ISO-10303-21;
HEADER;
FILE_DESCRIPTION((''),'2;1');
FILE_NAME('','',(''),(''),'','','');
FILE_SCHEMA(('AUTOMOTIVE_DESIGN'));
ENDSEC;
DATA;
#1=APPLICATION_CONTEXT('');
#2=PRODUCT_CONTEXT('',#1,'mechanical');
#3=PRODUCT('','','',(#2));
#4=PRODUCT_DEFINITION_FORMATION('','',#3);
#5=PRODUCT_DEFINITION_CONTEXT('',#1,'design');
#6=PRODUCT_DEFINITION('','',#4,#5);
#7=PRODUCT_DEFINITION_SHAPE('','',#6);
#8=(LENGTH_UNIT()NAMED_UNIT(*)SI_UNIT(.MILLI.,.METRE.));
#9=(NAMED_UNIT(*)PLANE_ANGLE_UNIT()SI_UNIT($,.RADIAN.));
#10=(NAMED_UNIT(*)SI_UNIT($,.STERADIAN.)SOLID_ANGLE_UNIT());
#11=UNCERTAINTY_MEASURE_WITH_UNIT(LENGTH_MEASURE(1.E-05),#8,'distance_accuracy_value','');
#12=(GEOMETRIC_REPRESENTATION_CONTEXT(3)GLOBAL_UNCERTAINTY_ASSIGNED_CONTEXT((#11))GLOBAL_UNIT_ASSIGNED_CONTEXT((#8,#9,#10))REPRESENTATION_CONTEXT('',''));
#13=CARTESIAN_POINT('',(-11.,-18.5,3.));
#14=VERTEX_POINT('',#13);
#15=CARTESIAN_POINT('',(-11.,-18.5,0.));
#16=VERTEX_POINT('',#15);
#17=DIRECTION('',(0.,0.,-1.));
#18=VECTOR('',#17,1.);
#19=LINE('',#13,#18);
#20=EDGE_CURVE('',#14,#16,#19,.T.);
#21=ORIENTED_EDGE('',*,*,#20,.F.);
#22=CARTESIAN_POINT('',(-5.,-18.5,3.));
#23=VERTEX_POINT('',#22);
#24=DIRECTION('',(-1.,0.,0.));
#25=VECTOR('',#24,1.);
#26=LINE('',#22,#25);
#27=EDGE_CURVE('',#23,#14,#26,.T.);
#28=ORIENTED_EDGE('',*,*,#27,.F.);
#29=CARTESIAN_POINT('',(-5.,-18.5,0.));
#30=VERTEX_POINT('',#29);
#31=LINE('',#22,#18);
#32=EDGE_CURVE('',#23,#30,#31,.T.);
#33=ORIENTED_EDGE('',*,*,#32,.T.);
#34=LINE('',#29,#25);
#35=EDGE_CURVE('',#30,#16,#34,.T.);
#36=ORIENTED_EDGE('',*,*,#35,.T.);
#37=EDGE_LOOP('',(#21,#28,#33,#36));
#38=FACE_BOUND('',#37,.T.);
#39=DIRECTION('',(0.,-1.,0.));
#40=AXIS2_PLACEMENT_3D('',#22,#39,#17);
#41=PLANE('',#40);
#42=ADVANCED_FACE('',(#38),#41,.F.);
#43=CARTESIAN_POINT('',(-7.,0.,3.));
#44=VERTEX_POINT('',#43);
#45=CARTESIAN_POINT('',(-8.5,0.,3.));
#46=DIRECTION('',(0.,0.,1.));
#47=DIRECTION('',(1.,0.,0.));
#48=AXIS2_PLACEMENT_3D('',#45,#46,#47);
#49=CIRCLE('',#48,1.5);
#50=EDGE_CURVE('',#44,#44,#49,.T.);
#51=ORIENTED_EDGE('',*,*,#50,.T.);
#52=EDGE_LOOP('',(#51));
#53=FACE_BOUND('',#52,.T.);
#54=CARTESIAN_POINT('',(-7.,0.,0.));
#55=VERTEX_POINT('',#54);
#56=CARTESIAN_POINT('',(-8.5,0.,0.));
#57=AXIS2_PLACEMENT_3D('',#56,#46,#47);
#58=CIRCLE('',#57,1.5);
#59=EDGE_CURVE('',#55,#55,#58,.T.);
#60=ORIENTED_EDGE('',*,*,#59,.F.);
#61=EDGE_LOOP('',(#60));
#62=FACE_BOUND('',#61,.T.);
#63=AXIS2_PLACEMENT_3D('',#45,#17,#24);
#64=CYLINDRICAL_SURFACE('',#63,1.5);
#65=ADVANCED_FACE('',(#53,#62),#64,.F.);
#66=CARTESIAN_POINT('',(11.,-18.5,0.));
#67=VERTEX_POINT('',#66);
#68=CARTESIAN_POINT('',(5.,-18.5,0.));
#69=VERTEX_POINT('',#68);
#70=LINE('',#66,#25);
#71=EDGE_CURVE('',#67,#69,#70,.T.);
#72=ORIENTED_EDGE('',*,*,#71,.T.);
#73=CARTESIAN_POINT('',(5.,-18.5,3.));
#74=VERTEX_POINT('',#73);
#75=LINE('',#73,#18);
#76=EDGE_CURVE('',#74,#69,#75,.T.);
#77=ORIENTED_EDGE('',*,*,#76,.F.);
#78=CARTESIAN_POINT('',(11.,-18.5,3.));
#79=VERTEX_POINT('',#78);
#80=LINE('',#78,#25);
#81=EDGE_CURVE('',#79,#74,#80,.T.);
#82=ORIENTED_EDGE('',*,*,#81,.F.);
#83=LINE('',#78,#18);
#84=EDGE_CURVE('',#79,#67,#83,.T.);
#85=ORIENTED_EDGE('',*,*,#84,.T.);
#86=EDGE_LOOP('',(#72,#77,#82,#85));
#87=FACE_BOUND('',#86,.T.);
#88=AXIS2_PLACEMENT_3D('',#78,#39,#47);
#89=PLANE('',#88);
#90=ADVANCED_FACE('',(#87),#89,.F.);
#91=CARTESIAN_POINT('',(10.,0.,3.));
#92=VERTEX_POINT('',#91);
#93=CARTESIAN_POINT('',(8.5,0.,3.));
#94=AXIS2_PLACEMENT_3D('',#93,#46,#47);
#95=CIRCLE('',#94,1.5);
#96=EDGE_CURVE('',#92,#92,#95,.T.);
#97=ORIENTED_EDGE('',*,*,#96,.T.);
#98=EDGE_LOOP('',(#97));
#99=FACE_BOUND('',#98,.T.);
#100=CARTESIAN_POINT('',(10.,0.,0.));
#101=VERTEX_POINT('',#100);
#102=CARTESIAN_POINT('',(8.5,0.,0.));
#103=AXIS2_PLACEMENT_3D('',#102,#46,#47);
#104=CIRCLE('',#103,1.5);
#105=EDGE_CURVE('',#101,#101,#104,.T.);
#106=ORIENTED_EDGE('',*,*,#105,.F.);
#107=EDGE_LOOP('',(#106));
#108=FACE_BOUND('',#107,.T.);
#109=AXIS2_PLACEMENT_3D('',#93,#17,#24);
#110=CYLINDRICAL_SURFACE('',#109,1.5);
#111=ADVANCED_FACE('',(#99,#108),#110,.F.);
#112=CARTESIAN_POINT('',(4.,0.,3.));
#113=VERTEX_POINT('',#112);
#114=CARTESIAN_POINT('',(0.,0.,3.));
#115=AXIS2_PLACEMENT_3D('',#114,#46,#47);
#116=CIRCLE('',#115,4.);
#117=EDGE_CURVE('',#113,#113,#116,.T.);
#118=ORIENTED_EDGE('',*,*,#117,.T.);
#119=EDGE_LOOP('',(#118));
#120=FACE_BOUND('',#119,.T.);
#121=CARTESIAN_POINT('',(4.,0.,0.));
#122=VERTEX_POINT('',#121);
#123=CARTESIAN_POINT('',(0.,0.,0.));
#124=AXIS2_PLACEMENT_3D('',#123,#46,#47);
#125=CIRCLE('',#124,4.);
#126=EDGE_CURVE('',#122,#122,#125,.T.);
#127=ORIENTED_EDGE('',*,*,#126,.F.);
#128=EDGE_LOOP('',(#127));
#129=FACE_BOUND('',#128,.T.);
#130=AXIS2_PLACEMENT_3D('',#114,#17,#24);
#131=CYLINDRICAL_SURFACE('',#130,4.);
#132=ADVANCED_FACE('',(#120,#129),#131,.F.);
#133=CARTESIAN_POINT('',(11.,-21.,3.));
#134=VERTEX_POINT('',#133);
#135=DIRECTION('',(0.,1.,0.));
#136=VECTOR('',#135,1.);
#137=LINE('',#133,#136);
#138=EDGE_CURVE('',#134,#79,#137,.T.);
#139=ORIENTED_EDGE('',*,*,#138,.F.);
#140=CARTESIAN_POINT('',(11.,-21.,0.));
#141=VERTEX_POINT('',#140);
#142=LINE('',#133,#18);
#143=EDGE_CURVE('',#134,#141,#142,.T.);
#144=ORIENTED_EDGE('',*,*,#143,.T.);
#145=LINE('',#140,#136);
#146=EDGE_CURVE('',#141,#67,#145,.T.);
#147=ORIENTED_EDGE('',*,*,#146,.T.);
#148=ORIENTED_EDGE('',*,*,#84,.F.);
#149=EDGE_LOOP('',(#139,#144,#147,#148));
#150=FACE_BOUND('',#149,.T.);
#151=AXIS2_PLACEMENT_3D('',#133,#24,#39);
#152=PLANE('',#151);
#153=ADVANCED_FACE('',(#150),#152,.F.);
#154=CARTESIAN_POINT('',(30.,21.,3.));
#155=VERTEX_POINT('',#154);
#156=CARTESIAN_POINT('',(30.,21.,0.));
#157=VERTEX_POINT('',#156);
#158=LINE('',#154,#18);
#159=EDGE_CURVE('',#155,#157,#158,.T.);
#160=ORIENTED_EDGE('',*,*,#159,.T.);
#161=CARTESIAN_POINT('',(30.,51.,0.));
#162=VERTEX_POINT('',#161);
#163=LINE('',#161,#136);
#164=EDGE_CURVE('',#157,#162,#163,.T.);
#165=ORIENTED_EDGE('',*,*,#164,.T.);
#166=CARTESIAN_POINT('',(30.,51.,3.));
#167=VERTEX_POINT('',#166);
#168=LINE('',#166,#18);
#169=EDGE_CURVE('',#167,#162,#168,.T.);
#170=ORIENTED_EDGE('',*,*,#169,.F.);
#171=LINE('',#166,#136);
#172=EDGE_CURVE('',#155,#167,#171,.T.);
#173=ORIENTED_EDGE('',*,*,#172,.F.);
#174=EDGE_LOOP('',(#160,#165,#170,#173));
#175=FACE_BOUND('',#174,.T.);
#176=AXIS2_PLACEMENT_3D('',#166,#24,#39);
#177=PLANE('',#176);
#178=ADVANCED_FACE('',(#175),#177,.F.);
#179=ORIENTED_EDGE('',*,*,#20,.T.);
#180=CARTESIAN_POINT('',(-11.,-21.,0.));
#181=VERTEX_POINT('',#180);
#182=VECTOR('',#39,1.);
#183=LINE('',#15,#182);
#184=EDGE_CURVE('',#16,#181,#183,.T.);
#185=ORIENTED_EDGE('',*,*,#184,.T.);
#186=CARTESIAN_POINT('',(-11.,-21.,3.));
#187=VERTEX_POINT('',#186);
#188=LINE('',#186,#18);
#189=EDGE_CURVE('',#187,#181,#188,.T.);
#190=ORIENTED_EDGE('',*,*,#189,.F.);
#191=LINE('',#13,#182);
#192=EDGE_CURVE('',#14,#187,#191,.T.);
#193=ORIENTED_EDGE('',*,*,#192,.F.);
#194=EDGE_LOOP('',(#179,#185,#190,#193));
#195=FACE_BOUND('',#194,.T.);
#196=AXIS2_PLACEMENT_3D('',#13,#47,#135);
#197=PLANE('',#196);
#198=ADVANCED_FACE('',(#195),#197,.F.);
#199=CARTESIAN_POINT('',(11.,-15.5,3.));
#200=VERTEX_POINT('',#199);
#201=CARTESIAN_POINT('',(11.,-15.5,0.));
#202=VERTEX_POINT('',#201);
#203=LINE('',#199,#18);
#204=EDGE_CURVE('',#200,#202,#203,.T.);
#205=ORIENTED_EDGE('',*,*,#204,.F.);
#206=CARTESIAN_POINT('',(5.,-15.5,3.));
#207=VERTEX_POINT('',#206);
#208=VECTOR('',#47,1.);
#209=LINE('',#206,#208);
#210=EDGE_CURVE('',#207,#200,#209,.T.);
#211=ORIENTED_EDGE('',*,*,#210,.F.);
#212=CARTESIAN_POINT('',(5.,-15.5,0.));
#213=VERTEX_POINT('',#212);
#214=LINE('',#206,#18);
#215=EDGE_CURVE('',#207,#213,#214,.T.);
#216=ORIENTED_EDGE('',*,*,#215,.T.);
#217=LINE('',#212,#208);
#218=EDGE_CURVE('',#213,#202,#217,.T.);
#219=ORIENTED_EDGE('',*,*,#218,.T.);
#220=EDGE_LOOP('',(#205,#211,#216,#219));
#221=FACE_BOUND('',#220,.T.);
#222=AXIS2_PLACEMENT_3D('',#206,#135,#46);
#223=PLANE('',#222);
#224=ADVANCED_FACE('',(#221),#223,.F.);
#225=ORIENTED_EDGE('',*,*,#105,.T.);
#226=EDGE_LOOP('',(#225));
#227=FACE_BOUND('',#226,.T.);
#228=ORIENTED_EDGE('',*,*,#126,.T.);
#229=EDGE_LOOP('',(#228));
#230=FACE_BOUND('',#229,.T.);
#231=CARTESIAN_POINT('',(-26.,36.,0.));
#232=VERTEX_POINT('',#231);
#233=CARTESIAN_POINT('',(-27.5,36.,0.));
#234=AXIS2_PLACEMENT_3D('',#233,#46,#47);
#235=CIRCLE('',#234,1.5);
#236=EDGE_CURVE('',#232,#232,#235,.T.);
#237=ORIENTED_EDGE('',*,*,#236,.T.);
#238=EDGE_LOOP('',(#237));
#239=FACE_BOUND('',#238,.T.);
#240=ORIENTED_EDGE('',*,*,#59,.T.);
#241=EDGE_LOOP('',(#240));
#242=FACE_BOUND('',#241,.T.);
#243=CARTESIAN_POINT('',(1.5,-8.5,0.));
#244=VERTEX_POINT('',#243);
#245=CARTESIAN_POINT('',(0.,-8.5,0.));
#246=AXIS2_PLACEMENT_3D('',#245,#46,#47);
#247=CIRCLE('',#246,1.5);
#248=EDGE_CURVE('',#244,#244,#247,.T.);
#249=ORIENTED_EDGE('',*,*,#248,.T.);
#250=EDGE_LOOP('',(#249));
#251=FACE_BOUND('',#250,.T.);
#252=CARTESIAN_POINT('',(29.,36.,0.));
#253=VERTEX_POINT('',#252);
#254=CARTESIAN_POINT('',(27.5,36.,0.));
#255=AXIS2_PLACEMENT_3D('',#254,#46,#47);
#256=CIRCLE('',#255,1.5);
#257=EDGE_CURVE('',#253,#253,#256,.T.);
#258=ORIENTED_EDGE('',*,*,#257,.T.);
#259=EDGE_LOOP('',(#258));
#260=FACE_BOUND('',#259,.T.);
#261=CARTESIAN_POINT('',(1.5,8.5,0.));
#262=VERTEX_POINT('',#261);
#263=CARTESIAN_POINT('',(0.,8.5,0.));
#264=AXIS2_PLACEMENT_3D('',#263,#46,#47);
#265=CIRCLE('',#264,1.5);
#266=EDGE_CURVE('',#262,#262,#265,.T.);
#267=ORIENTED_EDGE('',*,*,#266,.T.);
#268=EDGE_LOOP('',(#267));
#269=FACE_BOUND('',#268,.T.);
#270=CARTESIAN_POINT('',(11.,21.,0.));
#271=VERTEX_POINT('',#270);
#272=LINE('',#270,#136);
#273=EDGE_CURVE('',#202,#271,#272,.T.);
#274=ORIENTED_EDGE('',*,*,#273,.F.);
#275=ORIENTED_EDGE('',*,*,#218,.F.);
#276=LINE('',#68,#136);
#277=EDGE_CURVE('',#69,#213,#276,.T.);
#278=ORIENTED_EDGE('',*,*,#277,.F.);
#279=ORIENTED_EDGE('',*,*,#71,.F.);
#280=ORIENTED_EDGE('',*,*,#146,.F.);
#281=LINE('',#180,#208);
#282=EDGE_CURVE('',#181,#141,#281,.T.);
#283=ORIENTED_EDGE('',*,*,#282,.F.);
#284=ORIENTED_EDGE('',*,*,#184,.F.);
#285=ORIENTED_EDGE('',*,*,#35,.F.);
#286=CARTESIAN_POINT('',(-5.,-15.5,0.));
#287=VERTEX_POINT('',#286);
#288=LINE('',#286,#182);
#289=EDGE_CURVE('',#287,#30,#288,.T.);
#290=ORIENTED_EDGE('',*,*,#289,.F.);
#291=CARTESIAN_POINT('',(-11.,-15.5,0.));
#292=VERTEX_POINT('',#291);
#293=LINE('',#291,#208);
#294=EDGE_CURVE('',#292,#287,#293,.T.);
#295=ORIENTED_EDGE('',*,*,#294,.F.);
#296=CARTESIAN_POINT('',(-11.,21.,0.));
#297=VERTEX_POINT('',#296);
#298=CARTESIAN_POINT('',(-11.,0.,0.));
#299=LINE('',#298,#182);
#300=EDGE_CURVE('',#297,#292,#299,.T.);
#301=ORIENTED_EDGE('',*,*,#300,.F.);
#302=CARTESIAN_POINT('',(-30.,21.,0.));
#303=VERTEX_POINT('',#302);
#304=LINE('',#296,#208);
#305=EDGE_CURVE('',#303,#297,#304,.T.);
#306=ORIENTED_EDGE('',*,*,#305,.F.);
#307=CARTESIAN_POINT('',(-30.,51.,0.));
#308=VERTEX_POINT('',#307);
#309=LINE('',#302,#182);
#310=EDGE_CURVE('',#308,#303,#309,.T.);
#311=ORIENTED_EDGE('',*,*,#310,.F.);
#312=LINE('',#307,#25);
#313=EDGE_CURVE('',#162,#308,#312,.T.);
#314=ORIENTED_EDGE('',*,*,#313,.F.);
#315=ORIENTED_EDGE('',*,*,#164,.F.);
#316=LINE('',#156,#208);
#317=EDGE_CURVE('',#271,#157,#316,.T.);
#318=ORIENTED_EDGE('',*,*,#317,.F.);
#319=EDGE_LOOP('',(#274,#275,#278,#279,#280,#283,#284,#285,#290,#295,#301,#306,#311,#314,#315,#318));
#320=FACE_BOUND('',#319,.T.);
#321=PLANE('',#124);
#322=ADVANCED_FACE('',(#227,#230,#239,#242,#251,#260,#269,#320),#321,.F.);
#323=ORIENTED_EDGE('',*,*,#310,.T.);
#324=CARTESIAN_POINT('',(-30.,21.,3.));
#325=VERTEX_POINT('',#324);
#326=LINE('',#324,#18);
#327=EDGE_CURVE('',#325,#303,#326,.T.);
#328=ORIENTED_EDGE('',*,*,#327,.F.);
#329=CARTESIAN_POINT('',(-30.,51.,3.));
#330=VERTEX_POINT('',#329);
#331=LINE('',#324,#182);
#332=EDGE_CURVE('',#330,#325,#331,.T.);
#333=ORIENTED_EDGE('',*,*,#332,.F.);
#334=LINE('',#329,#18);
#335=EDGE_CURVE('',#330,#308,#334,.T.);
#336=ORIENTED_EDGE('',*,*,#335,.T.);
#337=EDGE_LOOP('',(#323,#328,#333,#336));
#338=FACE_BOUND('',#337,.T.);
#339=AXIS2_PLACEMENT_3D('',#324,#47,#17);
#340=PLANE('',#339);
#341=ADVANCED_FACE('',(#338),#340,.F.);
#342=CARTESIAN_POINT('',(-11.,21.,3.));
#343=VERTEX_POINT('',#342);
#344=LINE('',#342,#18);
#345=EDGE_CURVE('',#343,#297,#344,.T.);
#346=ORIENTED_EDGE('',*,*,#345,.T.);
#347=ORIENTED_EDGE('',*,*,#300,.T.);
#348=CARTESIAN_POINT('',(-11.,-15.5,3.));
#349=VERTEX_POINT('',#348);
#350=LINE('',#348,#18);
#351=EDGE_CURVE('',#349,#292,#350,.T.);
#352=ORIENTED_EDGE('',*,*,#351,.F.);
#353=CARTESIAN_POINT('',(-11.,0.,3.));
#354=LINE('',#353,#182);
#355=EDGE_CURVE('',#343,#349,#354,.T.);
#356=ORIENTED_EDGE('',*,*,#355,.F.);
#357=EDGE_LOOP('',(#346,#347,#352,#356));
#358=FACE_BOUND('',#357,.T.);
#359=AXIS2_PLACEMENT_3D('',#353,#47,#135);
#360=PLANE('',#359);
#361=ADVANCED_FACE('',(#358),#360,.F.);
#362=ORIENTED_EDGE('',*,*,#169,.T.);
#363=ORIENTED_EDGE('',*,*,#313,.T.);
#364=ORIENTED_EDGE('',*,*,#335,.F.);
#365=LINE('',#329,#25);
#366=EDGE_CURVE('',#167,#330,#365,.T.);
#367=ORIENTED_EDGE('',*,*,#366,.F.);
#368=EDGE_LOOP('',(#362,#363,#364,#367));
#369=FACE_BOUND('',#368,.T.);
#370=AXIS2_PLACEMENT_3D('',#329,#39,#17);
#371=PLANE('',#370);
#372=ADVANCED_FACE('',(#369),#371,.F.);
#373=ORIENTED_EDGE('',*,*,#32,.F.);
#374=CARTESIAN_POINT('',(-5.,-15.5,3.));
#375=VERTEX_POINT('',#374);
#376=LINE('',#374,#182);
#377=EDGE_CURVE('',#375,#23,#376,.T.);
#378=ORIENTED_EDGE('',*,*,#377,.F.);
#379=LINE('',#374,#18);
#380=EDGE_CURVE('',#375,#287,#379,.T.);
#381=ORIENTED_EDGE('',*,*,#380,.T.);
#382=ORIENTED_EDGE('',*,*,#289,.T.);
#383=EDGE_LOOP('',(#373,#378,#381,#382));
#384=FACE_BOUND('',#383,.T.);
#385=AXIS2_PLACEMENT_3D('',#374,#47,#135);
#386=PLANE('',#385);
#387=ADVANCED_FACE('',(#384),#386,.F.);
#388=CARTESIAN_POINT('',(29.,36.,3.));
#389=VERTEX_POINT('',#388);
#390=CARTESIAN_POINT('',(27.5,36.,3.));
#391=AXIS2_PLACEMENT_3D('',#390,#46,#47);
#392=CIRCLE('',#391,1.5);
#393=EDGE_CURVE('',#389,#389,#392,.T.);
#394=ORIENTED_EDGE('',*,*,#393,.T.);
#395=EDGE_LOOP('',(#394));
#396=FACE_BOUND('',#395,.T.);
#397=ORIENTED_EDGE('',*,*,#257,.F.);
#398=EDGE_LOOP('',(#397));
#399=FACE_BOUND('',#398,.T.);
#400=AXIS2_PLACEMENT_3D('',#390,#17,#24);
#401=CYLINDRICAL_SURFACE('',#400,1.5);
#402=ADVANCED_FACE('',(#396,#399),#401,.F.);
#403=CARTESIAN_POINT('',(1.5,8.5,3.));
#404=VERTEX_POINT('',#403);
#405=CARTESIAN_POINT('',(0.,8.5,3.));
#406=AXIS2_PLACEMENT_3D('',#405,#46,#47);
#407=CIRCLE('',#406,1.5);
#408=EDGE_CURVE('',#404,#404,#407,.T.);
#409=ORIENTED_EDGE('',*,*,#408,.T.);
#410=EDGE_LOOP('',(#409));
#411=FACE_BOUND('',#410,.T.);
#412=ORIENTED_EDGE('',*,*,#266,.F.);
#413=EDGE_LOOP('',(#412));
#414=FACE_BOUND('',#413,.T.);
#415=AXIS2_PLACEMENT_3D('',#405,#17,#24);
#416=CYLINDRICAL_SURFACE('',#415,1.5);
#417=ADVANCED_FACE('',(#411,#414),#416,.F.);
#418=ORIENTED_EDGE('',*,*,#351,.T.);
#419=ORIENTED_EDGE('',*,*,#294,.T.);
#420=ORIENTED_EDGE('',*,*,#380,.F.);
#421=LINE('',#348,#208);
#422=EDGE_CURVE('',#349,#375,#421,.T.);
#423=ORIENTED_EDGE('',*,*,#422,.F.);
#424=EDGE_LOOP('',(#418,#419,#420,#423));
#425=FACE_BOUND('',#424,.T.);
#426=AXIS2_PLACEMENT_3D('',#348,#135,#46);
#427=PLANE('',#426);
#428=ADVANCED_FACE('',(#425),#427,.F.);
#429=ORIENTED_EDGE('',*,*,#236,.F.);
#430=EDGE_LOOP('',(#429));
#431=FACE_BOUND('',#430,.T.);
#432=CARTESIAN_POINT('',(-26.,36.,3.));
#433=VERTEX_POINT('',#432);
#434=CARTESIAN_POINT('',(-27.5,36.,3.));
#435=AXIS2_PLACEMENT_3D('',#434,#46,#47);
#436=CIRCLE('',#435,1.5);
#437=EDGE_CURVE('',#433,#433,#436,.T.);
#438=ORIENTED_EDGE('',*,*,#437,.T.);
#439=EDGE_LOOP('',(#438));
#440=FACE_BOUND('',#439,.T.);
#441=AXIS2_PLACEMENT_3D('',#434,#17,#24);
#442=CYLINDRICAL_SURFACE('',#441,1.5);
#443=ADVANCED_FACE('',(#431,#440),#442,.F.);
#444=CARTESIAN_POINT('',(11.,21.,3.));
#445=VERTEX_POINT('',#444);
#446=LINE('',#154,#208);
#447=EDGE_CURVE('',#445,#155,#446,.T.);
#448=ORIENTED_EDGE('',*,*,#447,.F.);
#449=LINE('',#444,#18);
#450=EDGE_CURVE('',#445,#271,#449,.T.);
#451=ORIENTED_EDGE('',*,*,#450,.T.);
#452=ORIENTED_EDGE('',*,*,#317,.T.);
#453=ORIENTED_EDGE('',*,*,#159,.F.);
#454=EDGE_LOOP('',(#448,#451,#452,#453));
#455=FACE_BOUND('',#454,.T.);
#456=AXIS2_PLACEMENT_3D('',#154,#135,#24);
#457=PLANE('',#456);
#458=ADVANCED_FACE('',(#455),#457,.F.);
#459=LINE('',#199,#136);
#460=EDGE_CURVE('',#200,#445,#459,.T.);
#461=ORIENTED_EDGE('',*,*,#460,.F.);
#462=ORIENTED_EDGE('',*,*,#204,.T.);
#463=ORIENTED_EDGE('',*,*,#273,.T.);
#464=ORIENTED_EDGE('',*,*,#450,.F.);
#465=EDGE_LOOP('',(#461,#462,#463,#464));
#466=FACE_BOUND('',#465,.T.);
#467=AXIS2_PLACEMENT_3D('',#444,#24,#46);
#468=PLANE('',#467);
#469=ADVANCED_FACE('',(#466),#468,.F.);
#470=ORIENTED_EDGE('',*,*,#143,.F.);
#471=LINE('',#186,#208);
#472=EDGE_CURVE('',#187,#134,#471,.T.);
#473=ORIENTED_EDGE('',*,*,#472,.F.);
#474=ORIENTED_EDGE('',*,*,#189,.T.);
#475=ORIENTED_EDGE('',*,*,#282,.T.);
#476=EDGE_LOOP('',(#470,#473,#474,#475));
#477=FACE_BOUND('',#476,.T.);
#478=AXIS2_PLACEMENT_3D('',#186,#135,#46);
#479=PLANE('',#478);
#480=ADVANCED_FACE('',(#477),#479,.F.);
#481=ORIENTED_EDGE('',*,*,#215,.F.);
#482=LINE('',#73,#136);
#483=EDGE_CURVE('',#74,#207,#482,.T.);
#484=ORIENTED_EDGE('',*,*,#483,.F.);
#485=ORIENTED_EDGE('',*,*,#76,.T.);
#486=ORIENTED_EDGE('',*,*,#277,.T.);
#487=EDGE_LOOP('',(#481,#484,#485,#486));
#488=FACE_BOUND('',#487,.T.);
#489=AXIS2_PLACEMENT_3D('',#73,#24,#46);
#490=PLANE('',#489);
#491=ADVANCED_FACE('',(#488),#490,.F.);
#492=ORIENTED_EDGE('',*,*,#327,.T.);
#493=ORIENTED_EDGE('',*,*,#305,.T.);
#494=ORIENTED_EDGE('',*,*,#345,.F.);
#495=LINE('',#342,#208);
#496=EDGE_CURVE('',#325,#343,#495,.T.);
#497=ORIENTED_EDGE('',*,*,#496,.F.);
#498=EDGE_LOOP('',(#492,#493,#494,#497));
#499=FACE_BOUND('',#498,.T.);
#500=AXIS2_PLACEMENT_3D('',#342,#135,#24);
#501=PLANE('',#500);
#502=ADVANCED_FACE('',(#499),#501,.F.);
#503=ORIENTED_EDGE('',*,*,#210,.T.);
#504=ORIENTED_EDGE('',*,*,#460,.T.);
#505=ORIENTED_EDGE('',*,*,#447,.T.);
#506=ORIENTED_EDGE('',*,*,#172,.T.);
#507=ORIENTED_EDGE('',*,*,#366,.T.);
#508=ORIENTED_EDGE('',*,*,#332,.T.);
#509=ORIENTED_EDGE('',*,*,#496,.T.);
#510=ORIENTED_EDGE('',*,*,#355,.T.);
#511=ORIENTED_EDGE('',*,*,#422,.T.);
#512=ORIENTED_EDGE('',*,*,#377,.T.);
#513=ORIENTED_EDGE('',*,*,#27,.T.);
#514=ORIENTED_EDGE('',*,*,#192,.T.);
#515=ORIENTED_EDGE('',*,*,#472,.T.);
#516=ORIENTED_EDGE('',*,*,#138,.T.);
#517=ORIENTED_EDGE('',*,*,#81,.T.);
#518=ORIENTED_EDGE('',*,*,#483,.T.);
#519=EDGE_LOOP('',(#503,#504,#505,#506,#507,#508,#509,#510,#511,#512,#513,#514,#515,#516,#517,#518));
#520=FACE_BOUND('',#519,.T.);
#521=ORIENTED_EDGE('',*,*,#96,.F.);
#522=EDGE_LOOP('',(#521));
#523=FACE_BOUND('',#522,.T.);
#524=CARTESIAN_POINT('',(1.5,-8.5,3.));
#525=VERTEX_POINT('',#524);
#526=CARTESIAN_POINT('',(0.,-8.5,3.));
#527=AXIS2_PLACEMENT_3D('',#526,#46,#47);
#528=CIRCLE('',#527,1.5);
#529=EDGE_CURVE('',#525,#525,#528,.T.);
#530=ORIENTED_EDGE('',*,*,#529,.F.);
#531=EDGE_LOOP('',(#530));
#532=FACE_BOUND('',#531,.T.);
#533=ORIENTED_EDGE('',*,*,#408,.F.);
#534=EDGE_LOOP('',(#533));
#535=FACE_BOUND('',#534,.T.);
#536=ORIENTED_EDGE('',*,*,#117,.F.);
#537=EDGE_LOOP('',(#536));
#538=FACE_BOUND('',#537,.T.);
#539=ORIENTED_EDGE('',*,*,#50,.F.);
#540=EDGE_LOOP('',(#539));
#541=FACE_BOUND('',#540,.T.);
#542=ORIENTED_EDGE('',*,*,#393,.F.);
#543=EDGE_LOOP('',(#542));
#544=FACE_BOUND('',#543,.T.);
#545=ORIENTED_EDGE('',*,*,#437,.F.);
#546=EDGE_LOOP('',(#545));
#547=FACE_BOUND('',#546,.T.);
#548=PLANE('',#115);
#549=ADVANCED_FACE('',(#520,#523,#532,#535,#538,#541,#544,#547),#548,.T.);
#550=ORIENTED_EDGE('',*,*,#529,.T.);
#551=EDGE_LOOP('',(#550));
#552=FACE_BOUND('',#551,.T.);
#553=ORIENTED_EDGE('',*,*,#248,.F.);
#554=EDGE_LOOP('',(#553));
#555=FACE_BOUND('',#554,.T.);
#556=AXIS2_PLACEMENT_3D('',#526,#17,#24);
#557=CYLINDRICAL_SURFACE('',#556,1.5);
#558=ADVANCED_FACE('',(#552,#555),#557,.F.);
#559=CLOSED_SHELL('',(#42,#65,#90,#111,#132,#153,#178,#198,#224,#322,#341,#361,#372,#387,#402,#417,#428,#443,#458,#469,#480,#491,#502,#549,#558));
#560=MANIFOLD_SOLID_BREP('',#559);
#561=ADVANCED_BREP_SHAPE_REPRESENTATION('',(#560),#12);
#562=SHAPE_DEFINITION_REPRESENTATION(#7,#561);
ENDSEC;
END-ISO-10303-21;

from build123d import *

# Parameters (mm, degrees)
SKETCH1_R           = 1.5
SKETCH1_R_2         = 4
BOSS_EXTRUDE1_DEPTH = 3


with BuildPart() as part:
    # Sketch1 → Boss-Extrude1 (new body)
    with BuildSketch(Plane.XY):
        Polygon((-11, 0), (-11, -15.5), (-5, -15.5), (-5, -18.5), (-11, -18.5), (-11, -21), (11, -21), (11, -18.5), (5, -18.5), (5, -15.5), (11, -15.5), (11, 0), (11, 21), (30, 21), (30, 51), (-30, 51), (-30, 21), (-11, 21), align=None)
        with Locations((0, 8.5)):
            Circle(SKETCH1_R, mode=Mode.SUBTRACT)
        with Locations((8.5, 0)):
            Circle(SKETCH1_R, mode=Mode.SUBTRACT)
        with Locations((0, -8.5)):
            Circle(SKETCH1_R, mode=Mode.SUBTRACT)
        with Locations((-8.5, 0)):
            Circle(SKETCH1_R, mode=Mode.SUBTRACT)
        with Locations((-27.5, 36)):
            Circle(SKETCH1_R, mode=Mode.SUBTRACT)
        with Locations((27.5, 36)):
            Circle(SKETCH1_R, mode=Mode.SUBTRACT)
        Circle(SKETCH1_R_2, mode=Mode.SUBTRACT)
    extrude(amount=BOSS_EXTRUDE1_DEPTH)


solid = part.part
